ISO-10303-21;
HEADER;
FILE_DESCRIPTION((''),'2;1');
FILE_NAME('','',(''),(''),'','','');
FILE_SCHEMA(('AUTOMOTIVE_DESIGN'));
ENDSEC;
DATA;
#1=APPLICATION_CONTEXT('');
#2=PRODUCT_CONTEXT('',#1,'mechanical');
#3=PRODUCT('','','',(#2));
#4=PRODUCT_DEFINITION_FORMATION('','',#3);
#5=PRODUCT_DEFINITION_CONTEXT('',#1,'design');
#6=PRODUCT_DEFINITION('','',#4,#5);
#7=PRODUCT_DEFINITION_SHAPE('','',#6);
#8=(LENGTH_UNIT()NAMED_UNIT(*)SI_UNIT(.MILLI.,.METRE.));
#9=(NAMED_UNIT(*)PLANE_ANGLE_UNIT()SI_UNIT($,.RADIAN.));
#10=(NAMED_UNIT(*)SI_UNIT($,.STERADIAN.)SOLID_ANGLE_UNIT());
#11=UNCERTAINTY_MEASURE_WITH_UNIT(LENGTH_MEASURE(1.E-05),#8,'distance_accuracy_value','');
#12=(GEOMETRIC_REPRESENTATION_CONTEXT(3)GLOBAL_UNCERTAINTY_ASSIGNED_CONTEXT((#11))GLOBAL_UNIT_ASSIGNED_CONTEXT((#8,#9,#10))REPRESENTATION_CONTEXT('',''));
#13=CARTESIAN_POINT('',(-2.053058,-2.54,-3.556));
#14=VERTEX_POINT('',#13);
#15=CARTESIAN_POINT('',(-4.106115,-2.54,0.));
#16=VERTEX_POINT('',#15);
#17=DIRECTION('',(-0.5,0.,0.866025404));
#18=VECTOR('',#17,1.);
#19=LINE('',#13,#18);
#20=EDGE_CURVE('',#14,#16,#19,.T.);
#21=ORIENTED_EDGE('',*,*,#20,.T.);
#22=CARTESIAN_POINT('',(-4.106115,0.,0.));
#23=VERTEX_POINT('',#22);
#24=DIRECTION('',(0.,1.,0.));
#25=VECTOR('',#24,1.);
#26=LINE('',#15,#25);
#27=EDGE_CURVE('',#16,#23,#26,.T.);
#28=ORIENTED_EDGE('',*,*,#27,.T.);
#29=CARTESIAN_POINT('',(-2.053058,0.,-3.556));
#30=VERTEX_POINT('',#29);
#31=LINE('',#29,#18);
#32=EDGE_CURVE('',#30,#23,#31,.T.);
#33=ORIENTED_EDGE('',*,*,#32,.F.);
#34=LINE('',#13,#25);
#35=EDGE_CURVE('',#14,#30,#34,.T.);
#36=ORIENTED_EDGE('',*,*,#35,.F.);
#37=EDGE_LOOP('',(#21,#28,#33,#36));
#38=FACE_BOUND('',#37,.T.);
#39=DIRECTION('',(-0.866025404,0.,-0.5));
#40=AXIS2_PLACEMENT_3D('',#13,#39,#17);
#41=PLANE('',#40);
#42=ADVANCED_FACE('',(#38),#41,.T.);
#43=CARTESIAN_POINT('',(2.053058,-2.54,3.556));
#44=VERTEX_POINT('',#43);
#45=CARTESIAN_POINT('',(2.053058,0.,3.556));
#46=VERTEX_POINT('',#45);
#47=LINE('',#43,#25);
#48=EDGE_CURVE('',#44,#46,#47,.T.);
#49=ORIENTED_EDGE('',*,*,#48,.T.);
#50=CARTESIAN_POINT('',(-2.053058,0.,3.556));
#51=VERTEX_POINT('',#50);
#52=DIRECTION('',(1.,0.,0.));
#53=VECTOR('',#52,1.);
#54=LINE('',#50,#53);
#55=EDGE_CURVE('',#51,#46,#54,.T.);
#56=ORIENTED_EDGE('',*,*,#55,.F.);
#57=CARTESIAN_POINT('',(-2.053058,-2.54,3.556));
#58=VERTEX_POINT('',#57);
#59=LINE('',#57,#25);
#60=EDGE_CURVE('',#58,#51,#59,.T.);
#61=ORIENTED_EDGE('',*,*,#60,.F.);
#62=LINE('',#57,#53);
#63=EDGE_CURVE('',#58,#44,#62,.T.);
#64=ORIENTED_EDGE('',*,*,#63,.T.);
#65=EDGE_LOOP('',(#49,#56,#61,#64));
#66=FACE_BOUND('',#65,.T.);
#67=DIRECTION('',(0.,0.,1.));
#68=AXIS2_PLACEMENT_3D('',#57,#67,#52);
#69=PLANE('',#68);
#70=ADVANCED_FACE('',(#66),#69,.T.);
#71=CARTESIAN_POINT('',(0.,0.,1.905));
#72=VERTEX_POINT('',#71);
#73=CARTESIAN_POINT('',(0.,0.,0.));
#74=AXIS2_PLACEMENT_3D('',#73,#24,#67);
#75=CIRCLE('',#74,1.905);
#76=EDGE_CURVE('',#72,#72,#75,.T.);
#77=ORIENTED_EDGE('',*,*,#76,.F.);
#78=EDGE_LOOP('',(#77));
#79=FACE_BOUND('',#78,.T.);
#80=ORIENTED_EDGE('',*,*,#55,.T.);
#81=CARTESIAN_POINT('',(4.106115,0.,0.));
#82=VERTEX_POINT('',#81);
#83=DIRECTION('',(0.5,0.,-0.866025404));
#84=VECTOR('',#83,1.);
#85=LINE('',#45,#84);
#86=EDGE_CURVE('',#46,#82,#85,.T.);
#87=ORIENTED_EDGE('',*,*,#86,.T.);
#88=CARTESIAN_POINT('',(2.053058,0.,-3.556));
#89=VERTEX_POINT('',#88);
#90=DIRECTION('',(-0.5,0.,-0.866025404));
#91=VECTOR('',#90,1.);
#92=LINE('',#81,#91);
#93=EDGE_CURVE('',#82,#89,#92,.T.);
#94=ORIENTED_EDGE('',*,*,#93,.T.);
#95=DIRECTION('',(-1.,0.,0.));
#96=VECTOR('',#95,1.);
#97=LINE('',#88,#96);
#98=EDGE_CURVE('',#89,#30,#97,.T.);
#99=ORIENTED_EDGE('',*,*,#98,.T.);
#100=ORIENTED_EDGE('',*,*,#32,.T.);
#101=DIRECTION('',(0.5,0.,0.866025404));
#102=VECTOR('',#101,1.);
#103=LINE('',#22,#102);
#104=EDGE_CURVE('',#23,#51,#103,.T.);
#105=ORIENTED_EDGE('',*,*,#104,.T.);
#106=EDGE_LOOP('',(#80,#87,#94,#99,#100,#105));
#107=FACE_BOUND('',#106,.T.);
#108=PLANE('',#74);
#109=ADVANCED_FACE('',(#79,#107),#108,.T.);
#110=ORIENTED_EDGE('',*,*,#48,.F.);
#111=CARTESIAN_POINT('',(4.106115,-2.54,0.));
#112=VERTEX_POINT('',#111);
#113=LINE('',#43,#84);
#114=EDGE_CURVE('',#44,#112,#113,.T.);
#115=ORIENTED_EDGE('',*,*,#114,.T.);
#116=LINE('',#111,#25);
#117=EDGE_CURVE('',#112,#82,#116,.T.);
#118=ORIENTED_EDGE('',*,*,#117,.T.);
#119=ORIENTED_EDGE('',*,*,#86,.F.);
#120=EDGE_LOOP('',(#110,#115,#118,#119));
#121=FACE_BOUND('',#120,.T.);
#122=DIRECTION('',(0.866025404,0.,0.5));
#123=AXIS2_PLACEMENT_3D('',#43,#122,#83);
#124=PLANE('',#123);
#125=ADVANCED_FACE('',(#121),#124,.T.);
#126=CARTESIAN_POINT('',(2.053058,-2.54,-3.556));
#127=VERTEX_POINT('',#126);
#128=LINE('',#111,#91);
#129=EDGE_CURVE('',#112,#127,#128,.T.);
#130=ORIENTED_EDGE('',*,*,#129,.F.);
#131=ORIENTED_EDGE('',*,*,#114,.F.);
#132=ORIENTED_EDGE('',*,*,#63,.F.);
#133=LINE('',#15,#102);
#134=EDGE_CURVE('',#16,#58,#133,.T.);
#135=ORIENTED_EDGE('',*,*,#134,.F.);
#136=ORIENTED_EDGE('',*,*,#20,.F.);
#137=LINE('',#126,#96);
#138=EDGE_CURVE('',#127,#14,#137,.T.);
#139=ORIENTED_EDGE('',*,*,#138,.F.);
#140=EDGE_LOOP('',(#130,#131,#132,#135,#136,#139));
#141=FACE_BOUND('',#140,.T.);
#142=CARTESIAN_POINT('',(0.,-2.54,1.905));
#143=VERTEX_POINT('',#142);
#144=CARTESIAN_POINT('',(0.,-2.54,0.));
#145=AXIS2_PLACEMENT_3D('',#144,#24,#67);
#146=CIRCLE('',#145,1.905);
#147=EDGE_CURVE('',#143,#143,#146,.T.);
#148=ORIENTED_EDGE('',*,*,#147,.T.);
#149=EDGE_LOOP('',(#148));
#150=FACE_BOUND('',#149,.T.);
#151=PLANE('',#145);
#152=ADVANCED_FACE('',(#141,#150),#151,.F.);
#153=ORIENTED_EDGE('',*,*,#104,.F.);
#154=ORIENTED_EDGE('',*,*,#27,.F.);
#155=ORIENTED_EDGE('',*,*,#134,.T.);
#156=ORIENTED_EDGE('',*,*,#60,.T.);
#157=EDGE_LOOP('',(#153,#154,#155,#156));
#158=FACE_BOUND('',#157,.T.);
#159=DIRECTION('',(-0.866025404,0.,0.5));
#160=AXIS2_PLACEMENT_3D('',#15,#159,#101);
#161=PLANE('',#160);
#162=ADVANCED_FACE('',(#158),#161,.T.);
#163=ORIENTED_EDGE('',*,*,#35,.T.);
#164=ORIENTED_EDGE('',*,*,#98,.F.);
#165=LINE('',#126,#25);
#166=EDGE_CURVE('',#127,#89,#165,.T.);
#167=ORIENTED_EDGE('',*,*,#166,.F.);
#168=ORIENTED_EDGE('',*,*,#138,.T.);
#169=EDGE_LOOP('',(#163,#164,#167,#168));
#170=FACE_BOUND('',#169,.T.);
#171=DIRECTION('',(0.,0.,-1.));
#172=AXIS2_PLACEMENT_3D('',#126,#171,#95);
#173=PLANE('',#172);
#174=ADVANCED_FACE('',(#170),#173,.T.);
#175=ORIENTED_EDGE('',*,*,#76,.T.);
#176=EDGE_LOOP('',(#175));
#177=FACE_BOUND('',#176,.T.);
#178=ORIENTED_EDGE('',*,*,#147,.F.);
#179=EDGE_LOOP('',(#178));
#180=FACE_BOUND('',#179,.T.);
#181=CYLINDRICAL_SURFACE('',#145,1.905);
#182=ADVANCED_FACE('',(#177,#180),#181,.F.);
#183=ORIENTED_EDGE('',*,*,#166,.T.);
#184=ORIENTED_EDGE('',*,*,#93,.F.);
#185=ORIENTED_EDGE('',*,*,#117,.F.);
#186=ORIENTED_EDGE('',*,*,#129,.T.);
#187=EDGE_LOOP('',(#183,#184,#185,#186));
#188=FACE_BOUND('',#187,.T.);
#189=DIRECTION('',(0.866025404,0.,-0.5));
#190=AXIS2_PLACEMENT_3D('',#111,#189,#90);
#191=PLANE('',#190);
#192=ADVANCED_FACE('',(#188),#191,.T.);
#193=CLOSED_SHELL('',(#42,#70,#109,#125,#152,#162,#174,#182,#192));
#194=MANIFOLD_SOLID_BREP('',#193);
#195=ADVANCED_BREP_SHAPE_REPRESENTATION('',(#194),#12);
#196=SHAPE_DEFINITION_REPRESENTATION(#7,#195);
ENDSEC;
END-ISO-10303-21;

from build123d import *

# Parameters (mm, degrees)
SKETCH1_R           = 1.905
BOSS_EXTRUDE1_DEPTH = 2.54


with BuildPart() as part:
    # Sketch1 → Boss-Extrude1 (new body)
    with BuildSketch(Plane(origin=(0, 0, 0), x_dir=(1, 0, 0), z_dir=(0, 1, 0))):
        Polygon((2.053057557, 3.556), (-2.053057557, 3.556), (-4.106115114, 0), (-2.053057557, -3.556), (2.053057557, -3.556), (4.106115114, 0), align=None)
        with Locations(Location((0, 0, 0), (0, 0, 270))):
            Circle(SKETCH1_R, mode=Mode.SUBTRACT)
    extrude(amount=-BOSS_EXTRUDE1_DEPTH)


solid = part.part
